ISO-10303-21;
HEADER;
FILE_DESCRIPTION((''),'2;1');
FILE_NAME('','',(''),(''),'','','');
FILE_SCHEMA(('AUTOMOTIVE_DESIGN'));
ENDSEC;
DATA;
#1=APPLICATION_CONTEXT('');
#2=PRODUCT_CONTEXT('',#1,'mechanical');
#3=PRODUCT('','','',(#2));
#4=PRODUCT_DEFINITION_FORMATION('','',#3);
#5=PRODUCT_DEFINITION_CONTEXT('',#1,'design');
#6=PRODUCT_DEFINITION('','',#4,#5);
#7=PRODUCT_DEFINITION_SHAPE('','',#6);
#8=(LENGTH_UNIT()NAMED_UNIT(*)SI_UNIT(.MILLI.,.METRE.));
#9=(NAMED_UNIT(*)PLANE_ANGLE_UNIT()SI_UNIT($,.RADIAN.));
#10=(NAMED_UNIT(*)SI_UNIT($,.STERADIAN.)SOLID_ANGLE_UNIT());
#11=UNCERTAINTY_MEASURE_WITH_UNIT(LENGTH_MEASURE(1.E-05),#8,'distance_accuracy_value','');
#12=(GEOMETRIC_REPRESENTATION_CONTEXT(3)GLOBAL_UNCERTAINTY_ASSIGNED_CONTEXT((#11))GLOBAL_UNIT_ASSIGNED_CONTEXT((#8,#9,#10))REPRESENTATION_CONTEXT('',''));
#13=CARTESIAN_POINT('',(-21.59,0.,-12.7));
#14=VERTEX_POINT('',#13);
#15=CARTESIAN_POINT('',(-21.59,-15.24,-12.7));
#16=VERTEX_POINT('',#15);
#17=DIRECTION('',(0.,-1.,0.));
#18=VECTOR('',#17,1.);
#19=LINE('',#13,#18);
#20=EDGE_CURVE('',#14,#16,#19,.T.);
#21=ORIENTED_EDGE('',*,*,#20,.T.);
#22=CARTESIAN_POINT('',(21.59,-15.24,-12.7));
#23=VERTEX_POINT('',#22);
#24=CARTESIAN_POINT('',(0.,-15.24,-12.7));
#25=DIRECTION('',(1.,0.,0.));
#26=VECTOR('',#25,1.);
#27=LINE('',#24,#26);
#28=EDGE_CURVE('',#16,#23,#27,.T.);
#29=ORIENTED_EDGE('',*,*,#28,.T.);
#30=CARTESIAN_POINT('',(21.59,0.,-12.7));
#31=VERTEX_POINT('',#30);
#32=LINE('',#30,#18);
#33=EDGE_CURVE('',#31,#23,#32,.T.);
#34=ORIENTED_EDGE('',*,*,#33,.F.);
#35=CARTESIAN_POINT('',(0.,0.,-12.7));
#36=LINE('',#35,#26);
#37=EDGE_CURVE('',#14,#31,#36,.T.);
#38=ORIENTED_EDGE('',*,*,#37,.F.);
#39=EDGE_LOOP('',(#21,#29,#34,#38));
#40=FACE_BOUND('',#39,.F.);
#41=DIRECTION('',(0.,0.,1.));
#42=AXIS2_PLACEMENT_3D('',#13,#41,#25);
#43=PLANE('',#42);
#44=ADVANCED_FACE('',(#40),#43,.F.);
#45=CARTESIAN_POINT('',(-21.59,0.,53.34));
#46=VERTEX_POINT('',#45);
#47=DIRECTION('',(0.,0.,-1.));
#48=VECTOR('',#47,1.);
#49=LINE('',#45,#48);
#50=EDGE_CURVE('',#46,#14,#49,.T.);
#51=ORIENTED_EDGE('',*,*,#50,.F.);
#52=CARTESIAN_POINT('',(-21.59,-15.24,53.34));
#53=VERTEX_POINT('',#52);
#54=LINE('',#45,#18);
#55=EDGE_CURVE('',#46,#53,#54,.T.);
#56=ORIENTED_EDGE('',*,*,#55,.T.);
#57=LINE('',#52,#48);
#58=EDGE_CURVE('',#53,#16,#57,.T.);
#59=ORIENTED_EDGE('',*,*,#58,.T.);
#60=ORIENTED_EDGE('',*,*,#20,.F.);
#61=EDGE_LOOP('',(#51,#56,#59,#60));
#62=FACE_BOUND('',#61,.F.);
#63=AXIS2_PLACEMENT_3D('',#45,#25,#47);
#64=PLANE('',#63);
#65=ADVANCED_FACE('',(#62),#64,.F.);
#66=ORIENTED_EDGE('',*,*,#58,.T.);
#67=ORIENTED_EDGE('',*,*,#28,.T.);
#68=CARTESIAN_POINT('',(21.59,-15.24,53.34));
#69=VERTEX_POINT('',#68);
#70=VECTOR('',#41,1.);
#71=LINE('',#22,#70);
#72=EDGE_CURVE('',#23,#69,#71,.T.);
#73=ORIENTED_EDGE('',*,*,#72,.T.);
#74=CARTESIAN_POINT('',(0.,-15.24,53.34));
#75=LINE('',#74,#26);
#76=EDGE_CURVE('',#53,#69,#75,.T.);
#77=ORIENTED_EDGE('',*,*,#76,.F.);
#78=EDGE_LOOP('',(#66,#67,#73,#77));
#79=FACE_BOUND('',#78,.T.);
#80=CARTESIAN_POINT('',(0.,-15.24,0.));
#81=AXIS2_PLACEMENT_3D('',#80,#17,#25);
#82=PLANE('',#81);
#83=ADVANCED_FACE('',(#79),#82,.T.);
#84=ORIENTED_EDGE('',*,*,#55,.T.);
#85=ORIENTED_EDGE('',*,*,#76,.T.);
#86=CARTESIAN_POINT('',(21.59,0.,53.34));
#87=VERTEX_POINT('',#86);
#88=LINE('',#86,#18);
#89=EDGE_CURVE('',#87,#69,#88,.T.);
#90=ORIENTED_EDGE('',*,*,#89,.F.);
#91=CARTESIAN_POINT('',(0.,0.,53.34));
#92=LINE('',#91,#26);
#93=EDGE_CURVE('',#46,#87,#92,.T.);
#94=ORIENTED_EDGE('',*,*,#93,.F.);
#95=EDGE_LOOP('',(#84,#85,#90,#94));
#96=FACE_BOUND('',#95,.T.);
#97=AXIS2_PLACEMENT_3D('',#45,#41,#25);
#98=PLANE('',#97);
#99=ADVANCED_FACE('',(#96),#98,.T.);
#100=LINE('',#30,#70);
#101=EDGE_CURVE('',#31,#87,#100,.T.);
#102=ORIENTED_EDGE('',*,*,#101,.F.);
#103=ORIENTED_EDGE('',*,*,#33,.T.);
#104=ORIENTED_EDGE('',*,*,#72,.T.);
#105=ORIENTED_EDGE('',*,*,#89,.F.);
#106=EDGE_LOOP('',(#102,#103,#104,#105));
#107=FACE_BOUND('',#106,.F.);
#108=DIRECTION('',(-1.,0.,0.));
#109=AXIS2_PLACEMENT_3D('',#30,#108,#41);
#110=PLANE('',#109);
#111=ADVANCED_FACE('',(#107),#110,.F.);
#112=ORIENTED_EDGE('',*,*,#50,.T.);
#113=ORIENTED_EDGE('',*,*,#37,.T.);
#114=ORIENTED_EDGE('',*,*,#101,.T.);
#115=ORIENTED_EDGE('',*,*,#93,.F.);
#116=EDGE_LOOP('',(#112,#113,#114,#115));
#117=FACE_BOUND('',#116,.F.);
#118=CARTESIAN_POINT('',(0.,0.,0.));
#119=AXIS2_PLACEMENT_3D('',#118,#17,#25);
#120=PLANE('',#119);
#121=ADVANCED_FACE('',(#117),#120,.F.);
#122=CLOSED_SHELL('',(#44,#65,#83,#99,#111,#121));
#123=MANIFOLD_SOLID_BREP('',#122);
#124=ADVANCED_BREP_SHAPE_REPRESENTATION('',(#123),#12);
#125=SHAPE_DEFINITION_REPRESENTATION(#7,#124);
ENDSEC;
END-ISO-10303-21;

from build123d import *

# Parameters (mm, degrees)
F0_W     = 43.18
F0_H     = 25.4
F0_H_2   = 20.32
F1_DEPTH = 15.24


with BuildPart() as f1:
    # F0 (on Front) → F1 (new body)
    with BuildSketch(Plane.XZ):
        Rectangle(F0_W, F0_H)
        with Locations((0, 22.86)):
            Rectangle(F0_W, F0_H_2)
        with Locations((0, 43.18)):
            Rectangle(F0_W, F0_H_2)
    extrude(amount=F1_DEPTH)


solid = f1.part
